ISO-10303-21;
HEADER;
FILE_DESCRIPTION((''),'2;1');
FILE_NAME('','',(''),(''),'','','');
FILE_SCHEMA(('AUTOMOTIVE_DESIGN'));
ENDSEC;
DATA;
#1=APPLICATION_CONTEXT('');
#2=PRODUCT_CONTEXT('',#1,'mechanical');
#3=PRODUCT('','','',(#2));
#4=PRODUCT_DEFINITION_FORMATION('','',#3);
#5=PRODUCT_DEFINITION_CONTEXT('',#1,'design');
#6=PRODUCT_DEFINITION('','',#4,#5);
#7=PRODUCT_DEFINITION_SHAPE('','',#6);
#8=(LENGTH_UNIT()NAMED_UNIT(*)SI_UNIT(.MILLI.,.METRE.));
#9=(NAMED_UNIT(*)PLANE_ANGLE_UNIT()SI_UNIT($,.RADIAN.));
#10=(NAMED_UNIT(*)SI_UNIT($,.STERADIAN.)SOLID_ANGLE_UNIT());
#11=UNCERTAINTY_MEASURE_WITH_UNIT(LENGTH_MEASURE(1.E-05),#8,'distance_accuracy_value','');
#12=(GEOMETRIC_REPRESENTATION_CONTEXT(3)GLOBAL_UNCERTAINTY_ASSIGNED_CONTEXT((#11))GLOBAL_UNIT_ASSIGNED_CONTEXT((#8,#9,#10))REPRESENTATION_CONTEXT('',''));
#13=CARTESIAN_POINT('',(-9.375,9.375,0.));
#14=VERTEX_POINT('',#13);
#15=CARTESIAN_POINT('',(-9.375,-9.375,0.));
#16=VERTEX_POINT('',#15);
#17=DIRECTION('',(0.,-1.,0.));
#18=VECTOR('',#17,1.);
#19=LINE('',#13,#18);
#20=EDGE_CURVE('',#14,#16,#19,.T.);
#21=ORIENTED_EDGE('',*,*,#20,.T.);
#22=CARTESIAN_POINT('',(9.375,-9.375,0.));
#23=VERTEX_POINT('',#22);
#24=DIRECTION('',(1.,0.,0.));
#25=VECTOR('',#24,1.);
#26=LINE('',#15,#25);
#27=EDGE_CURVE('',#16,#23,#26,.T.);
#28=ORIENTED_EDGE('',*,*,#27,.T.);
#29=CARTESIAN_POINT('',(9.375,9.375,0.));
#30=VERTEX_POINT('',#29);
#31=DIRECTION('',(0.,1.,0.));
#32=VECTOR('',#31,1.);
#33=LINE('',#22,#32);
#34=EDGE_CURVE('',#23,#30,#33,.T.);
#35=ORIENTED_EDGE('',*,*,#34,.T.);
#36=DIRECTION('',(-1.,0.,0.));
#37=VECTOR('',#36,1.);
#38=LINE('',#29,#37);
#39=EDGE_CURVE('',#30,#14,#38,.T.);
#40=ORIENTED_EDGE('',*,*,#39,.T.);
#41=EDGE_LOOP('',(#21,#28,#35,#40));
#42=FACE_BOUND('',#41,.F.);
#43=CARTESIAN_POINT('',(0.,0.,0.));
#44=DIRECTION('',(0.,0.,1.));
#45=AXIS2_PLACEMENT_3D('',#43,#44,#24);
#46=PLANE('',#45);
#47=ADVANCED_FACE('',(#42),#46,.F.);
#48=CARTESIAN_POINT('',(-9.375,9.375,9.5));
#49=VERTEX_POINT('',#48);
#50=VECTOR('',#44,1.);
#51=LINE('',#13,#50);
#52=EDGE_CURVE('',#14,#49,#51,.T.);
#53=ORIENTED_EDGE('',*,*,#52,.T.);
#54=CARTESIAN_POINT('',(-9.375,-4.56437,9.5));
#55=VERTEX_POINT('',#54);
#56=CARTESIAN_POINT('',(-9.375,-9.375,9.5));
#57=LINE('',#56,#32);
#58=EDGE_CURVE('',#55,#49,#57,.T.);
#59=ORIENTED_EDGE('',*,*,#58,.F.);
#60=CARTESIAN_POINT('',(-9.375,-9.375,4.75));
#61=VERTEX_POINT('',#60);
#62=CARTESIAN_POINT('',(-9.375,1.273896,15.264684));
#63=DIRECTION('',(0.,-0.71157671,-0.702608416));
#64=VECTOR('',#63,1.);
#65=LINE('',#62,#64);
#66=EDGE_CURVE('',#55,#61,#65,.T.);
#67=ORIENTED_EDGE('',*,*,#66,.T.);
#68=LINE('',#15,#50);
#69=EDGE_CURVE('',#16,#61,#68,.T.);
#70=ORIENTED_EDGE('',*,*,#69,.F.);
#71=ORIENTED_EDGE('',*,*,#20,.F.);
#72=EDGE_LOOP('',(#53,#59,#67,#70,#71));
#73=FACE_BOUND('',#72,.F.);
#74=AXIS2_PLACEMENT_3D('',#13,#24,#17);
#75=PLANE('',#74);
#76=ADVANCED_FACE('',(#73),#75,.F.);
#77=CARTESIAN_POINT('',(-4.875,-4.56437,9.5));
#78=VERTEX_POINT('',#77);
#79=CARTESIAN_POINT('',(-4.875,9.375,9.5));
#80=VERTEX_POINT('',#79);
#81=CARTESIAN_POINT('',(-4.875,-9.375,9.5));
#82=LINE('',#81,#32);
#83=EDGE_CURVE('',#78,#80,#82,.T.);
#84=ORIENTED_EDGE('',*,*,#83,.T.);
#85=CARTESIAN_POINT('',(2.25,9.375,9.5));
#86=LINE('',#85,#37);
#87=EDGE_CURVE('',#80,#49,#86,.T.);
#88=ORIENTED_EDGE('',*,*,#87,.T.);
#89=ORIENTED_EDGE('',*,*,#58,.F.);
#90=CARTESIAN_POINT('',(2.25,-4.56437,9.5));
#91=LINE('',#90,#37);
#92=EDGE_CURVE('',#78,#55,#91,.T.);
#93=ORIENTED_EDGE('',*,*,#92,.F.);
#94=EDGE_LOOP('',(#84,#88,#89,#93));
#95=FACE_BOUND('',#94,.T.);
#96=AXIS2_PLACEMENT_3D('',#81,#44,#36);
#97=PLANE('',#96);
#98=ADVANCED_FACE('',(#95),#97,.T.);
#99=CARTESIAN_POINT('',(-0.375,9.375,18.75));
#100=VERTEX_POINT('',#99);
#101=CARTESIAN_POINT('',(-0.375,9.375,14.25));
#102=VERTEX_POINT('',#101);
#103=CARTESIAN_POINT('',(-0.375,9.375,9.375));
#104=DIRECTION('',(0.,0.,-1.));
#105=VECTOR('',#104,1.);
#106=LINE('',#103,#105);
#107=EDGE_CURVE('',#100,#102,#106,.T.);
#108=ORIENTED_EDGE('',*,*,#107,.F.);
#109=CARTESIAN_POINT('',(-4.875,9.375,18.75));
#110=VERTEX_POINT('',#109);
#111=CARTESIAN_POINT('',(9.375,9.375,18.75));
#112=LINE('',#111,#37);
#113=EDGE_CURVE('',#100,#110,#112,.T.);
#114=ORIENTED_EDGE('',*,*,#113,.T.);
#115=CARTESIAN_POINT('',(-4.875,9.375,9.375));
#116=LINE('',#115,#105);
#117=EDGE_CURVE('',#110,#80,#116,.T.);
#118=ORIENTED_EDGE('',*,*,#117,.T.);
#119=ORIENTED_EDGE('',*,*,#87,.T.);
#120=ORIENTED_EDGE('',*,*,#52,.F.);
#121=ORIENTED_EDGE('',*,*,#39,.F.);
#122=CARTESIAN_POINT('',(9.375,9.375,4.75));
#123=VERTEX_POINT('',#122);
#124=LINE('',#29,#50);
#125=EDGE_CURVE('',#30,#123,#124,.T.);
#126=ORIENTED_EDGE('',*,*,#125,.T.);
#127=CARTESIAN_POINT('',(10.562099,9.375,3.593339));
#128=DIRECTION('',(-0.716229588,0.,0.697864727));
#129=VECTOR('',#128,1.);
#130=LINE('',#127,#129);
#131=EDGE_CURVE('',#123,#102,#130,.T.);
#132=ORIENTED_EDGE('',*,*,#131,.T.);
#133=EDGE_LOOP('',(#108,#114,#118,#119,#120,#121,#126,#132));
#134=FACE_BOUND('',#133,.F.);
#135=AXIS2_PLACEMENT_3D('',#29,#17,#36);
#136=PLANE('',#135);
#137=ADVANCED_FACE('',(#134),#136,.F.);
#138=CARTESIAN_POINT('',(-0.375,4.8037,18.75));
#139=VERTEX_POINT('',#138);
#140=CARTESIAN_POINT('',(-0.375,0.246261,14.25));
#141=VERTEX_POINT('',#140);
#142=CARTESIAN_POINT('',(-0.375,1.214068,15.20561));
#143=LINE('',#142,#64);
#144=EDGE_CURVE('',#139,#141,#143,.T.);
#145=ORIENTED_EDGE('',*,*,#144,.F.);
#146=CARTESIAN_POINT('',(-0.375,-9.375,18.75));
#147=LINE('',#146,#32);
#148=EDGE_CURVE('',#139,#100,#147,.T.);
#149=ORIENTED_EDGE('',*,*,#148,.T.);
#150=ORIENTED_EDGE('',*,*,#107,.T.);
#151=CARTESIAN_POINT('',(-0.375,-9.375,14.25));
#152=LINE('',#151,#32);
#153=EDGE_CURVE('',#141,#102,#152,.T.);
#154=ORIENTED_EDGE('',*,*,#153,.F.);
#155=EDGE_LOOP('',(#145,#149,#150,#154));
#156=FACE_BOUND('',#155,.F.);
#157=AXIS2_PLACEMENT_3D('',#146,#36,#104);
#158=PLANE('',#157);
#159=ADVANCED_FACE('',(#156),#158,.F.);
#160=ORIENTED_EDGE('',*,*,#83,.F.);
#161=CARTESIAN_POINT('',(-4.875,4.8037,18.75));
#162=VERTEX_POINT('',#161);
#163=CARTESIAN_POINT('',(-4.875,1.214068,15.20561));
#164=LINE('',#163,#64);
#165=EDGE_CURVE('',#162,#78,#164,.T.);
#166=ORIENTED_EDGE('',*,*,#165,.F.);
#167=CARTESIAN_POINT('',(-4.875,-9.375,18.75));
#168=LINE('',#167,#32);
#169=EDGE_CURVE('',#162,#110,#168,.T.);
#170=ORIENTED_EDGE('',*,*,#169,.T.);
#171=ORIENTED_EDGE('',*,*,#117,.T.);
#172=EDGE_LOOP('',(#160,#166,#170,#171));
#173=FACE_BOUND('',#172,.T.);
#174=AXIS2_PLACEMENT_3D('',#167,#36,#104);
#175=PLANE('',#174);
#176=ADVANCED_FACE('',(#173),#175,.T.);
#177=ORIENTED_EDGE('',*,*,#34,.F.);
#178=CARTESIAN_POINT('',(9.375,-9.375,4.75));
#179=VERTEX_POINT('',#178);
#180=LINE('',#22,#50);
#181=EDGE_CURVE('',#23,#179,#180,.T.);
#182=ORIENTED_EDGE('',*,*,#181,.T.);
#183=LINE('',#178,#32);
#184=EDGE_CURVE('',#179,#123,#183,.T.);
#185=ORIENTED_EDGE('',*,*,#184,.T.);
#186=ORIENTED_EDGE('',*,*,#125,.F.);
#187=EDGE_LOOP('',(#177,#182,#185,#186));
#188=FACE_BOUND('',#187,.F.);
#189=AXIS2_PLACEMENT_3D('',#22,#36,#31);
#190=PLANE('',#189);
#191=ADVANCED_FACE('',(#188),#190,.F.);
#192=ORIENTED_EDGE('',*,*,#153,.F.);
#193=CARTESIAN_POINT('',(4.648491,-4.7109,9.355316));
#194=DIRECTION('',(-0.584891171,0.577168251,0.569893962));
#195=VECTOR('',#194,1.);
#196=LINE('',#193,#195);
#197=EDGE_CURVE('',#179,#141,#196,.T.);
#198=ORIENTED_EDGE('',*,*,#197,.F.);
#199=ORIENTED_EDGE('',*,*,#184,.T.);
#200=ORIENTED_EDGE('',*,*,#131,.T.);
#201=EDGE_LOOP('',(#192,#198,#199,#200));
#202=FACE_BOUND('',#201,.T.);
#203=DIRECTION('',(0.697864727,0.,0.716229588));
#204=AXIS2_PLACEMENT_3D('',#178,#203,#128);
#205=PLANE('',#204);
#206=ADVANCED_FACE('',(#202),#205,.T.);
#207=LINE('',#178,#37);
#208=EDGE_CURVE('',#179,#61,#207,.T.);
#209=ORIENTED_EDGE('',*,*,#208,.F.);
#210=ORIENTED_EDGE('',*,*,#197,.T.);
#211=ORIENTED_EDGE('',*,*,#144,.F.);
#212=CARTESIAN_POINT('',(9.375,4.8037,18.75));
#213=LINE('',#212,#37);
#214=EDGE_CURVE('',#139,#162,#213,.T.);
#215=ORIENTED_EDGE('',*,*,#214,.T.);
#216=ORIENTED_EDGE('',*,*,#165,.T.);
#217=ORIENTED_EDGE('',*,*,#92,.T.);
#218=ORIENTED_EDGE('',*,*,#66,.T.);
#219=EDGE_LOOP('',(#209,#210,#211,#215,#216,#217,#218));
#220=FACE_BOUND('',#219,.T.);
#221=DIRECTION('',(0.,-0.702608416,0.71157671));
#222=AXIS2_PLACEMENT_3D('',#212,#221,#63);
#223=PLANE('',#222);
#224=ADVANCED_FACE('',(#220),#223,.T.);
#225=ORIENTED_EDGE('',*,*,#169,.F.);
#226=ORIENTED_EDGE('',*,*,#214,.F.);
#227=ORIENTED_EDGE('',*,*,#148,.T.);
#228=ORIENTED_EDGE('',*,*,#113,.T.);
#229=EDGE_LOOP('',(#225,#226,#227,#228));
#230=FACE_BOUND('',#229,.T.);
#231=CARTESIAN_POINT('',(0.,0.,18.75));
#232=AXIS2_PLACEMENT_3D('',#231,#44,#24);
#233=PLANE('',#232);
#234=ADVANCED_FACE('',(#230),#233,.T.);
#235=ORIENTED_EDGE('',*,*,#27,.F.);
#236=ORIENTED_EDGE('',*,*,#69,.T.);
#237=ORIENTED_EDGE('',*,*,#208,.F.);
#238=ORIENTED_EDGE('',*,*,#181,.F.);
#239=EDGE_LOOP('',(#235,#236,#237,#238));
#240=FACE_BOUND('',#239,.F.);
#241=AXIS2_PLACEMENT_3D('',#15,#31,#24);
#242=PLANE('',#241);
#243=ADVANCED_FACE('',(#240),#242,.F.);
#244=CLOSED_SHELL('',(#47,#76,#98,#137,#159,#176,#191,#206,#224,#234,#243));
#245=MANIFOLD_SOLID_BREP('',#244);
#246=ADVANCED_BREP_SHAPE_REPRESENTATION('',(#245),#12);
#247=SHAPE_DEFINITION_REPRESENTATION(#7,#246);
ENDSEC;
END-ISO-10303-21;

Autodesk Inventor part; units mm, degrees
ref_plane "YZ Plane" through (0, 0, 0) normal (1, 0, 0) x (0, 1, 0)
ref_plane "XZ Plane" through (0, 0, 0) normal (0, 1, 0) x (-1, 0, 0)
ref_plane "XY Plane" through (0, 0, 0) normal (0, 0, 1) x (1, 0, 0)
sketch "Sketch1" plane through (0, 0, 0) normal (0, 0, 1) x (1, 0, 0)
  line L0 (-9.375, -9.375) -> (9.375, -9.375)
  line L1 (9.375, -9.375) -> (9.375, 9.375)
  line L2 (9.375, 9.375) -> (-9.375, 9.375)
  line L3 (-9.375, 9.375) -> (-9.375, -9.375)
  line L4 (-9.375, -9.375) -> (9.375, 9.375) construction
  line L5 (9.375, -9.375) -> (-9.375, 9.375) construction
  point P0 (0, 0)
  dimension "d0" = 18.75
  dimension "d1" = 18.75
extrude "Extrusion1" add sketch "Sketch1" along normal blind 18.75
sketch "Sketch2" plane through (9.375, -9.375, 0) normal (1, 0, 0) x (0, 0, -1)
  line L0 (0, 0) -> (-4.75, 0)
  line L1 (0, 0) -> (-18.75, 0) projected
  line L2 (-18.75, 18.6787) -> (-18.75, 14.1787)
  line L3 (-18.75, 0) -> (-18.75, 18.75) projected
  line L4 (-18.75, 14.1787) -> (-4.75, 0)
  line L5 (0, 0) -> (0, 18.6787)
  line L6 (0, 18.6787) -> (-18.75, 18.6787)
  line L7 (-18.75, 0) -> (-4.75, 0)
  line L8 (-18.75, 0) -> (-18.75, 14.1787)
  point P0 (0, 9.375)
  point P1 (-18.75, 18.75)
  dimension "d4" = 4.75
  dimension "d5" = 4.5
  dimension "d6" = 45.363
  dimension "d7" = 90.001
extrude "Extrusion2" cut sketch "Sketch2" against normal blind 21 contours L1 L3 L4
sketch "Sketch3" plane through (-9.375, -9.375, 0) normal (0, -1, 0) x (1, 0, 0)
  line L0 (18.75, 18.75) -> (0, 18.75) projected
  line L1 (0, 18.75) -> (4.5, 18.75)
  line L2 (4.5, 18.75) -> (4.5, 9.5)
  line L3 (4.5, 9.5) -> (0, 9.5)
  line L4 (0, 9.5) -> (0, 18.75)
  line L5 (4.5, 18.75) -> (9, 18.75) construction
  line L6 (9, 18.75) -> (9, 14.25)
  line L7 (0, 0) -> (18.75, 0) construction
  line L8 (18.75, 0) -> (18.75, 4.75) construction
  line L9 (18.75, 0) -> (18.75, 18.75) construction
  line L10 (18.75, 4.75) -> (9, 14.25)
  line L11 (9, 18.75) -> (18.75, 18.75)
  line L12 (18.75, 4.75) -> (18.75, 18.75)
  point P0 (9.375, 0)
  dimension "d10" = 4.5
  dimension "d11" = 9.25
  dimension "d12" = 4.5
  dimension "d13" = 4.5
  dimension "d14" = 4.75
extrude "Extrusion3" cut sketch "Sketch3" against normal blind 27.25
